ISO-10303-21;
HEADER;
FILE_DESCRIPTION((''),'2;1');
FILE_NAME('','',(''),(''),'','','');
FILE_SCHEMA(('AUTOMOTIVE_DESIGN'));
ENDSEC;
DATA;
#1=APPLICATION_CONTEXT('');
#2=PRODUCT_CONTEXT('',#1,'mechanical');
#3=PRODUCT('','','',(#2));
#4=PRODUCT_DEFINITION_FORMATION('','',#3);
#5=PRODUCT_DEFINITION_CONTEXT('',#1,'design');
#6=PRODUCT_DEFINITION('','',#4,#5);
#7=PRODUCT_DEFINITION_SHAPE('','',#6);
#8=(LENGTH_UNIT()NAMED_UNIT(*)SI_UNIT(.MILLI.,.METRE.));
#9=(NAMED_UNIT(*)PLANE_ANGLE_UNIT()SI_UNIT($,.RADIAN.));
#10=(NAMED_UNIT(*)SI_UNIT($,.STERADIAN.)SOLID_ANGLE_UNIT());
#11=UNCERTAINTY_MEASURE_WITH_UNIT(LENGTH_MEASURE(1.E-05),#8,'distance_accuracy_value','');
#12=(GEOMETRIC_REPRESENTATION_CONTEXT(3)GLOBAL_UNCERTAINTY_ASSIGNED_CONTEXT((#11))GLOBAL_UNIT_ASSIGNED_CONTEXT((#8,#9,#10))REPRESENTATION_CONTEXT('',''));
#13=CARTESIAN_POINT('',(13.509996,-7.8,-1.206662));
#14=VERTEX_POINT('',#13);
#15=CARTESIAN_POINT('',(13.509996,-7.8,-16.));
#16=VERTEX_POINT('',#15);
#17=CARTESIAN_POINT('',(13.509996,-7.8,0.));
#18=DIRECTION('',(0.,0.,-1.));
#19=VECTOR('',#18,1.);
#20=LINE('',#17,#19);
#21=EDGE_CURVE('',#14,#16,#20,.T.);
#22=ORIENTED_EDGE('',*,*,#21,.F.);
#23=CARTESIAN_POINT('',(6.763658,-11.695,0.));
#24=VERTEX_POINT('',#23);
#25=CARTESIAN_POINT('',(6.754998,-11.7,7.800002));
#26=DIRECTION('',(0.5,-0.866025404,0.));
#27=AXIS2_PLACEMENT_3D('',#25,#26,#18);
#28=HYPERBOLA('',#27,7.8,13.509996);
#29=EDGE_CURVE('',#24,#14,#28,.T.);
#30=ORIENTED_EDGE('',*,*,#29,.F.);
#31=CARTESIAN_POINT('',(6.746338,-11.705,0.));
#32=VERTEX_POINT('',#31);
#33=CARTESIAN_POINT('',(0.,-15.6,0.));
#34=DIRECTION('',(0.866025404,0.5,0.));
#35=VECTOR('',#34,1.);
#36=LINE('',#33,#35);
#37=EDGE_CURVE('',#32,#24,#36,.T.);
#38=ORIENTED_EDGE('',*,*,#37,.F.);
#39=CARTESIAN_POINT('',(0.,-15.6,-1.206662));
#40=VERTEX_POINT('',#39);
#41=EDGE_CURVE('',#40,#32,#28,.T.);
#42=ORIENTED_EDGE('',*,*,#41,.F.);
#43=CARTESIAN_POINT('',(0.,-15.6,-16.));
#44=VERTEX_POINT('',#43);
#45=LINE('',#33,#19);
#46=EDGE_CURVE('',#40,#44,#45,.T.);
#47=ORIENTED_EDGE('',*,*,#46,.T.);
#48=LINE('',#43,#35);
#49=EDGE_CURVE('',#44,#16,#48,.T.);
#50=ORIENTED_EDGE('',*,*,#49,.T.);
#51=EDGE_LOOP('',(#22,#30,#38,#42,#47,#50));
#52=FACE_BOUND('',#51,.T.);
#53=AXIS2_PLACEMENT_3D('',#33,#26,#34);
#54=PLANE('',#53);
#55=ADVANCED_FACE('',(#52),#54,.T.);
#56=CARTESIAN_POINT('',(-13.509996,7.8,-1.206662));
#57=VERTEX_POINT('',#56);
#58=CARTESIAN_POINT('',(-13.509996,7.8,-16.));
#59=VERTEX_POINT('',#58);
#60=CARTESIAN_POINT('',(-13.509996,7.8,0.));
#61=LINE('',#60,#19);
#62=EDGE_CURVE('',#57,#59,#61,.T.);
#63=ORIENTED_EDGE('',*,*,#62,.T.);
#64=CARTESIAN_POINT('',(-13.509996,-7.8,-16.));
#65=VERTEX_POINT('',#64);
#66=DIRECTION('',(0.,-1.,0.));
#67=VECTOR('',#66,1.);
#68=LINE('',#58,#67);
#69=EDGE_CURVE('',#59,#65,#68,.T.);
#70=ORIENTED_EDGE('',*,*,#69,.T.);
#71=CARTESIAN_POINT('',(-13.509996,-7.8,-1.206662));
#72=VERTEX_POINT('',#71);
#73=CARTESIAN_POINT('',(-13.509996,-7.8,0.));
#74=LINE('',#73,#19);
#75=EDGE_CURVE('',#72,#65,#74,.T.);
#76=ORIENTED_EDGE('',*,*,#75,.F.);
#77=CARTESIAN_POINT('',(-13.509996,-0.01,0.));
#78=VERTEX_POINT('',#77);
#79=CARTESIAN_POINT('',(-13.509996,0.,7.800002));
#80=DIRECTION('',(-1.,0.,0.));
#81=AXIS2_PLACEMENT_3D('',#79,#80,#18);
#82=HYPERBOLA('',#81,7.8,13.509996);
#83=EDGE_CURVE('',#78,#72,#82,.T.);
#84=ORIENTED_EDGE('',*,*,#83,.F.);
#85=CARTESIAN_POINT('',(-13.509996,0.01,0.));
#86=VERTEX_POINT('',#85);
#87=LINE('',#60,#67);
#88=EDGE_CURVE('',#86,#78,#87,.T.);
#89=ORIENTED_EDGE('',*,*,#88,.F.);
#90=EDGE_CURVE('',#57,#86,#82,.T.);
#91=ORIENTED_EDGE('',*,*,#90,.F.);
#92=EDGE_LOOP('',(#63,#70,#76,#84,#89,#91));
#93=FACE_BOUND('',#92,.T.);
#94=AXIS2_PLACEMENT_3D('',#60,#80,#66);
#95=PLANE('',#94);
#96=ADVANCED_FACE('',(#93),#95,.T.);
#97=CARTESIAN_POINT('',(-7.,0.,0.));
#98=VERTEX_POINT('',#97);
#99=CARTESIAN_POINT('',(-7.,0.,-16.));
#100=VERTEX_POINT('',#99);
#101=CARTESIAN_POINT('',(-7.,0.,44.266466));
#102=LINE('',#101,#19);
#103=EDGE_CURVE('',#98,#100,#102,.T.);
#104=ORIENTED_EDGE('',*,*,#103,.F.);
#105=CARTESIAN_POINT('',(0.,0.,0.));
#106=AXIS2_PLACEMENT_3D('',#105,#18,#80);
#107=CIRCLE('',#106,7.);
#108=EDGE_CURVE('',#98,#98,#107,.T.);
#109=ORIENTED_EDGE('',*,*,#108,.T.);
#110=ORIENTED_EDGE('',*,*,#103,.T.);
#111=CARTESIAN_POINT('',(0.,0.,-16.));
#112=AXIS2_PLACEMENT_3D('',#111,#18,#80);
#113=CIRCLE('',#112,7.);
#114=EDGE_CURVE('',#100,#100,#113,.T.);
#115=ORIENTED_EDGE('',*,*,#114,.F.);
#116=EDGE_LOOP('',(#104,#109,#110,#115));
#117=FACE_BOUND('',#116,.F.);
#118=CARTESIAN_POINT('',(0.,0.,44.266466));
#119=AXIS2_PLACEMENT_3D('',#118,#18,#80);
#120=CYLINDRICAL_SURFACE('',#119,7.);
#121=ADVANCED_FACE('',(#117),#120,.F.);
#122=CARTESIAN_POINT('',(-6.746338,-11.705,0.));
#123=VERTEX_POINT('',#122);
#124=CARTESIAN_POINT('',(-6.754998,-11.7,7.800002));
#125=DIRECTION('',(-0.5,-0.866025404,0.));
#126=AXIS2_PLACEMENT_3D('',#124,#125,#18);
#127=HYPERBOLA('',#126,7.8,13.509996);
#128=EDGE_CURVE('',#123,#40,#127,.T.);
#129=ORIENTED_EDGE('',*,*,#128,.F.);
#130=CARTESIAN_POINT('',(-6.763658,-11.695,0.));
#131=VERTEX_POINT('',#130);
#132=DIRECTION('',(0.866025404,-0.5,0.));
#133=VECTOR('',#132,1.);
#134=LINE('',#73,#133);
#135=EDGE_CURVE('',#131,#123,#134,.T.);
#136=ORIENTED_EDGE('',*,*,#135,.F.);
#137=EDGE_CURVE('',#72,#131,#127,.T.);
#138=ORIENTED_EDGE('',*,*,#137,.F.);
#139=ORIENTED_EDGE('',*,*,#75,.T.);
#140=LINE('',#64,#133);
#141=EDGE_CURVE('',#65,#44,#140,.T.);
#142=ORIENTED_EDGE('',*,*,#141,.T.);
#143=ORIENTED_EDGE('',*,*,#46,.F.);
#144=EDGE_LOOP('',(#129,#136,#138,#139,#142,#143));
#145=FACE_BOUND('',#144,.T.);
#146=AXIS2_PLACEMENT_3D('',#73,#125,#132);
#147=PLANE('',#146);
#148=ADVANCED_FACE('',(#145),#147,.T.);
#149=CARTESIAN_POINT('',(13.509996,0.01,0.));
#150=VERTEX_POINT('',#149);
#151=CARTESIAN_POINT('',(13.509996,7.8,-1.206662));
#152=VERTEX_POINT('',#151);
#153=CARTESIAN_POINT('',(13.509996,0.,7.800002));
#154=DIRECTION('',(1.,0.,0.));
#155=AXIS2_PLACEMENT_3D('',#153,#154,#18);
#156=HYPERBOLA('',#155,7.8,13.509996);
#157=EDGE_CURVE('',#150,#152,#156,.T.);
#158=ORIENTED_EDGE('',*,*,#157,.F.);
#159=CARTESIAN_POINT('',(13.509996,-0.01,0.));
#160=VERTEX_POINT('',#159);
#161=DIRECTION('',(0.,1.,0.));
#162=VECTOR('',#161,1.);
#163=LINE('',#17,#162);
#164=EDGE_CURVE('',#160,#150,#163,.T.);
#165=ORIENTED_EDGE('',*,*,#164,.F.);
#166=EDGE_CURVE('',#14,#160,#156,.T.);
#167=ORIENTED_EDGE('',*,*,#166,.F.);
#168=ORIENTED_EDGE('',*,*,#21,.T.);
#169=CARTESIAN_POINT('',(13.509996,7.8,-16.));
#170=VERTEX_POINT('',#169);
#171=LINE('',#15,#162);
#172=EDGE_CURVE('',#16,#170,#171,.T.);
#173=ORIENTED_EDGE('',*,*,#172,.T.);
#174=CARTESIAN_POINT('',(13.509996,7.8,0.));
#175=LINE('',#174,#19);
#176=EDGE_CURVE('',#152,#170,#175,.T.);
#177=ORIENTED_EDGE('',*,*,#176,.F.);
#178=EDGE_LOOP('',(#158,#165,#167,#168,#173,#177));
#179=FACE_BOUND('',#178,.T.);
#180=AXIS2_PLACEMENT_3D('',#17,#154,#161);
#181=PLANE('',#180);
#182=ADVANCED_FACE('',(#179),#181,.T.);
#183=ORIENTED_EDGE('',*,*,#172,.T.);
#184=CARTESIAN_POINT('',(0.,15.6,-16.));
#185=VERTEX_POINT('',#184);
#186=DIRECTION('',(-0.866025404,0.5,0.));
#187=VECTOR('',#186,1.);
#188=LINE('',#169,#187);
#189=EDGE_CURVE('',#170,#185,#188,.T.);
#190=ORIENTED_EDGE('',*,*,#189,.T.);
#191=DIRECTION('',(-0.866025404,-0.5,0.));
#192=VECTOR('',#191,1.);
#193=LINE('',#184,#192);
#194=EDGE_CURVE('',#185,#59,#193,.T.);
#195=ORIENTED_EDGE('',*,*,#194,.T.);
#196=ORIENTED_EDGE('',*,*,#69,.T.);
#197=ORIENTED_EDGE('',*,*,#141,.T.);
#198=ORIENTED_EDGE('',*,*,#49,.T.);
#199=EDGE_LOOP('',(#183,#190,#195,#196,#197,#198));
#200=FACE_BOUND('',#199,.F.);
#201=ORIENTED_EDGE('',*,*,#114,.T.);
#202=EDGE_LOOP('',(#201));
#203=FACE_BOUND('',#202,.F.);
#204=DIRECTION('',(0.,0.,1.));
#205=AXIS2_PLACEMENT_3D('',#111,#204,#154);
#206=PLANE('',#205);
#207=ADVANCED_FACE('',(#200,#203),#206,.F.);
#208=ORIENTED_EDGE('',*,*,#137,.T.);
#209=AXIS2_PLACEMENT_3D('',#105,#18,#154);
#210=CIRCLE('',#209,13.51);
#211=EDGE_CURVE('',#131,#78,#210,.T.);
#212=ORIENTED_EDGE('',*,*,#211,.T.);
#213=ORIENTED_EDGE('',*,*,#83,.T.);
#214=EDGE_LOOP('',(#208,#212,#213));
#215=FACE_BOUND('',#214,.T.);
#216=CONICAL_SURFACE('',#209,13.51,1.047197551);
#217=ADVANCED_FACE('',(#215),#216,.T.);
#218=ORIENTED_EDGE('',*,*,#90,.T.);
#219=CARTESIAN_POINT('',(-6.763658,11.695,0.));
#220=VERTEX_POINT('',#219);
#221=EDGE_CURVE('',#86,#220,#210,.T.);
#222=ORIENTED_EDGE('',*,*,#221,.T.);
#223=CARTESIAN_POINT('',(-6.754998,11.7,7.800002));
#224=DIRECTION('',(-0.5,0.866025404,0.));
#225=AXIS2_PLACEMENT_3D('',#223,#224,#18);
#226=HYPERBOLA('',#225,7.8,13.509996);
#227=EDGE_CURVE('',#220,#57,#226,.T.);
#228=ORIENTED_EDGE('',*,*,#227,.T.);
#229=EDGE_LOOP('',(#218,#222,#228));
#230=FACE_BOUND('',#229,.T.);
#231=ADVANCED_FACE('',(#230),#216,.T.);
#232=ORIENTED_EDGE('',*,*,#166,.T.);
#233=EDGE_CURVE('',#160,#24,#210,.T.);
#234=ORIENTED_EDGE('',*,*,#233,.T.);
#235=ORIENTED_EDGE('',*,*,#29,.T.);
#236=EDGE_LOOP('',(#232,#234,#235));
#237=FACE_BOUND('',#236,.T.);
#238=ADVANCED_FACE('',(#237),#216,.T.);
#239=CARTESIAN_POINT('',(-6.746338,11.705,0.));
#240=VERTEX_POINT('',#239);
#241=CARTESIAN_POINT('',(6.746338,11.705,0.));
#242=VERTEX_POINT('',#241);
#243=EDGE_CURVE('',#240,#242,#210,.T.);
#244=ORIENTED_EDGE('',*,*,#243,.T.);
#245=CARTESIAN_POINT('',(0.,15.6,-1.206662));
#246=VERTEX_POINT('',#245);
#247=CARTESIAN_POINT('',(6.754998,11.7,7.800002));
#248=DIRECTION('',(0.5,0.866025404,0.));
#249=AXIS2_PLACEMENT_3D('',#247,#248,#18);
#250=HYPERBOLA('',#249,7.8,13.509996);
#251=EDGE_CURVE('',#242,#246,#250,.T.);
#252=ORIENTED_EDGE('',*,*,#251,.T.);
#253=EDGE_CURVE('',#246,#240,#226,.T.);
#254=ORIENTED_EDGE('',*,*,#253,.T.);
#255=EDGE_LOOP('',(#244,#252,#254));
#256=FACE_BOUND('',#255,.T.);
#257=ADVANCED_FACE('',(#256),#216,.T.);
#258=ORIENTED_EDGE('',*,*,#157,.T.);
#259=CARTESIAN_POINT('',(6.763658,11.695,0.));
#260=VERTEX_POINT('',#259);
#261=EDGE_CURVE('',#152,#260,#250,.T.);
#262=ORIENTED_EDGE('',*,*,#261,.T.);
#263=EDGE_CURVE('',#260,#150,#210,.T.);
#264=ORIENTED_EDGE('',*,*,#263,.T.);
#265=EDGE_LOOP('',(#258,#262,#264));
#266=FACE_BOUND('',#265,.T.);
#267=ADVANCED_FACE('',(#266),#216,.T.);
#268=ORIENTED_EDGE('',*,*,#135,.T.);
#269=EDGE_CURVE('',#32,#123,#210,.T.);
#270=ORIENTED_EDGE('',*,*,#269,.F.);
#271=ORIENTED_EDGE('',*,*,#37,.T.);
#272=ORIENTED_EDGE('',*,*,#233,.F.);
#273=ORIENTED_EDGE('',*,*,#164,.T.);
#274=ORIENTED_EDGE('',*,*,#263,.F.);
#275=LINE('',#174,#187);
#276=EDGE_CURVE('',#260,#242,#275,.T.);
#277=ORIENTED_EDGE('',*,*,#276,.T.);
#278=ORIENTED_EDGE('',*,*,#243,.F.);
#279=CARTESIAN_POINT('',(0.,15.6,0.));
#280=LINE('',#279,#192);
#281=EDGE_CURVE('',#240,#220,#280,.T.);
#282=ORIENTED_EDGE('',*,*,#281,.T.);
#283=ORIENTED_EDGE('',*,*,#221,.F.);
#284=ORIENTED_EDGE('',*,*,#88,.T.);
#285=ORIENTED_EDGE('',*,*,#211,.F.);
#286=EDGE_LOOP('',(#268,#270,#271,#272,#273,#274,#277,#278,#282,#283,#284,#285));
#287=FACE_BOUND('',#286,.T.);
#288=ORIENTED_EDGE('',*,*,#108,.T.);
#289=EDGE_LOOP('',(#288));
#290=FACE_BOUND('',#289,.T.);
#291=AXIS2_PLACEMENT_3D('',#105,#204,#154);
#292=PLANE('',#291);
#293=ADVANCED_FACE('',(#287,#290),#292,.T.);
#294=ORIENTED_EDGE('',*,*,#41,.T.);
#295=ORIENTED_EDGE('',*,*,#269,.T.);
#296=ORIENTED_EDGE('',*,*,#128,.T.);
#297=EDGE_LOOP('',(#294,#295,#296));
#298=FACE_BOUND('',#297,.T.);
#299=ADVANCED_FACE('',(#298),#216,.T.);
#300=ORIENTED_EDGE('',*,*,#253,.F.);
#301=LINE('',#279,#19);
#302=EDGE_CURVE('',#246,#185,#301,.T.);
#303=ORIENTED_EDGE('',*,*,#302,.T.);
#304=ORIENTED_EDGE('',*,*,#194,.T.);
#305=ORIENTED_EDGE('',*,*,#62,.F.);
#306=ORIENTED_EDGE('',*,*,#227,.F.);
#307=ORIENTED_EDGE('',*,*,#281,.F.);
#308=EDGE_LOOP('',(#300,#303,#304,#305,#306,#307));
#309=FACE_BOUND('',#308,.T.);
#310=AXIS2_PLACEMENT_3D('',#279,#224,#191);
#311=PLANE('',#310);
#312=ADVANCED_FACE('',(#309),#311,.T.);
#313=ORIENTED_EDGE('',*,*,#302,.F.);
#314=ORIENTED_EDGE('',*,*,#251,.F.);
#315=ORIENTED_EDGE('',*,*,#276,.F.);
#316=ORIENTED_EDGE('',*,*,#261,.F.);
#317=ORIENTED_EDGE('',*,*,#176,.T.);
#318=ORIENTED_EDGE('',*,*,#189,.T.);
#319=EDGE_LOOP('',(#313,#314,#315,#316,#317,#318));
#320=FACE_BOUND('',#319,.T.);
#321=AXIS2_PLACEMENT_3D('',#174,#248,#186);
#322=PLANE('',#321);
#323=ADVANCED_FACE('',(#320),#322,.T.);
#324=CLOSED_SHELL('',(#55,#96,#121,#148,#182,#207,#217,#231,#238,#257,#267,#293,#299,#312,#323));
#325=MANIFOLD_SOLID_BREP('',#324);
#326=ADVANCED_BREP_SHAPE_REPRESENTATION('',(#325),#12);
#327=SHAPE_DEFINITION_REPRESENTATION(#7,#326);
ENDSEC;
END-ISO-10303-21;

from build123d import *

# Parameters (mm, degrees)
F1_DEPTH = 16
F4_D     = 14


with BuildPart() as f1:
    # F0 (on Top) → F1 (new body)
    with BuildSketch(Plane.XY):
        Polygon((13.509996299, -7.8), (13.509996299, 7.8), (0, 15.6), (-13.509996299, 7.8), (-13.509996299, -7.8), (0, -15.6), align=None)
    extrude(amount=-F1_DEPTH)

    # F2 (on Front) → F3 (revolve, cut)
    with BuildSketch(Plane.XZ):
        Polygon((16, -1.4376021703), (16, 0), (13.51, 0), align=None)
    revolve(axis=Axis((0, 0, -8), (0, 0, -1)), mode=Mode.SUBTRACT)

    # F4 (through all)
    with Locations(Plane.XY):
        with Locations((0, 0)):
            Hole(F4_D / 2)


solid = f1.part
